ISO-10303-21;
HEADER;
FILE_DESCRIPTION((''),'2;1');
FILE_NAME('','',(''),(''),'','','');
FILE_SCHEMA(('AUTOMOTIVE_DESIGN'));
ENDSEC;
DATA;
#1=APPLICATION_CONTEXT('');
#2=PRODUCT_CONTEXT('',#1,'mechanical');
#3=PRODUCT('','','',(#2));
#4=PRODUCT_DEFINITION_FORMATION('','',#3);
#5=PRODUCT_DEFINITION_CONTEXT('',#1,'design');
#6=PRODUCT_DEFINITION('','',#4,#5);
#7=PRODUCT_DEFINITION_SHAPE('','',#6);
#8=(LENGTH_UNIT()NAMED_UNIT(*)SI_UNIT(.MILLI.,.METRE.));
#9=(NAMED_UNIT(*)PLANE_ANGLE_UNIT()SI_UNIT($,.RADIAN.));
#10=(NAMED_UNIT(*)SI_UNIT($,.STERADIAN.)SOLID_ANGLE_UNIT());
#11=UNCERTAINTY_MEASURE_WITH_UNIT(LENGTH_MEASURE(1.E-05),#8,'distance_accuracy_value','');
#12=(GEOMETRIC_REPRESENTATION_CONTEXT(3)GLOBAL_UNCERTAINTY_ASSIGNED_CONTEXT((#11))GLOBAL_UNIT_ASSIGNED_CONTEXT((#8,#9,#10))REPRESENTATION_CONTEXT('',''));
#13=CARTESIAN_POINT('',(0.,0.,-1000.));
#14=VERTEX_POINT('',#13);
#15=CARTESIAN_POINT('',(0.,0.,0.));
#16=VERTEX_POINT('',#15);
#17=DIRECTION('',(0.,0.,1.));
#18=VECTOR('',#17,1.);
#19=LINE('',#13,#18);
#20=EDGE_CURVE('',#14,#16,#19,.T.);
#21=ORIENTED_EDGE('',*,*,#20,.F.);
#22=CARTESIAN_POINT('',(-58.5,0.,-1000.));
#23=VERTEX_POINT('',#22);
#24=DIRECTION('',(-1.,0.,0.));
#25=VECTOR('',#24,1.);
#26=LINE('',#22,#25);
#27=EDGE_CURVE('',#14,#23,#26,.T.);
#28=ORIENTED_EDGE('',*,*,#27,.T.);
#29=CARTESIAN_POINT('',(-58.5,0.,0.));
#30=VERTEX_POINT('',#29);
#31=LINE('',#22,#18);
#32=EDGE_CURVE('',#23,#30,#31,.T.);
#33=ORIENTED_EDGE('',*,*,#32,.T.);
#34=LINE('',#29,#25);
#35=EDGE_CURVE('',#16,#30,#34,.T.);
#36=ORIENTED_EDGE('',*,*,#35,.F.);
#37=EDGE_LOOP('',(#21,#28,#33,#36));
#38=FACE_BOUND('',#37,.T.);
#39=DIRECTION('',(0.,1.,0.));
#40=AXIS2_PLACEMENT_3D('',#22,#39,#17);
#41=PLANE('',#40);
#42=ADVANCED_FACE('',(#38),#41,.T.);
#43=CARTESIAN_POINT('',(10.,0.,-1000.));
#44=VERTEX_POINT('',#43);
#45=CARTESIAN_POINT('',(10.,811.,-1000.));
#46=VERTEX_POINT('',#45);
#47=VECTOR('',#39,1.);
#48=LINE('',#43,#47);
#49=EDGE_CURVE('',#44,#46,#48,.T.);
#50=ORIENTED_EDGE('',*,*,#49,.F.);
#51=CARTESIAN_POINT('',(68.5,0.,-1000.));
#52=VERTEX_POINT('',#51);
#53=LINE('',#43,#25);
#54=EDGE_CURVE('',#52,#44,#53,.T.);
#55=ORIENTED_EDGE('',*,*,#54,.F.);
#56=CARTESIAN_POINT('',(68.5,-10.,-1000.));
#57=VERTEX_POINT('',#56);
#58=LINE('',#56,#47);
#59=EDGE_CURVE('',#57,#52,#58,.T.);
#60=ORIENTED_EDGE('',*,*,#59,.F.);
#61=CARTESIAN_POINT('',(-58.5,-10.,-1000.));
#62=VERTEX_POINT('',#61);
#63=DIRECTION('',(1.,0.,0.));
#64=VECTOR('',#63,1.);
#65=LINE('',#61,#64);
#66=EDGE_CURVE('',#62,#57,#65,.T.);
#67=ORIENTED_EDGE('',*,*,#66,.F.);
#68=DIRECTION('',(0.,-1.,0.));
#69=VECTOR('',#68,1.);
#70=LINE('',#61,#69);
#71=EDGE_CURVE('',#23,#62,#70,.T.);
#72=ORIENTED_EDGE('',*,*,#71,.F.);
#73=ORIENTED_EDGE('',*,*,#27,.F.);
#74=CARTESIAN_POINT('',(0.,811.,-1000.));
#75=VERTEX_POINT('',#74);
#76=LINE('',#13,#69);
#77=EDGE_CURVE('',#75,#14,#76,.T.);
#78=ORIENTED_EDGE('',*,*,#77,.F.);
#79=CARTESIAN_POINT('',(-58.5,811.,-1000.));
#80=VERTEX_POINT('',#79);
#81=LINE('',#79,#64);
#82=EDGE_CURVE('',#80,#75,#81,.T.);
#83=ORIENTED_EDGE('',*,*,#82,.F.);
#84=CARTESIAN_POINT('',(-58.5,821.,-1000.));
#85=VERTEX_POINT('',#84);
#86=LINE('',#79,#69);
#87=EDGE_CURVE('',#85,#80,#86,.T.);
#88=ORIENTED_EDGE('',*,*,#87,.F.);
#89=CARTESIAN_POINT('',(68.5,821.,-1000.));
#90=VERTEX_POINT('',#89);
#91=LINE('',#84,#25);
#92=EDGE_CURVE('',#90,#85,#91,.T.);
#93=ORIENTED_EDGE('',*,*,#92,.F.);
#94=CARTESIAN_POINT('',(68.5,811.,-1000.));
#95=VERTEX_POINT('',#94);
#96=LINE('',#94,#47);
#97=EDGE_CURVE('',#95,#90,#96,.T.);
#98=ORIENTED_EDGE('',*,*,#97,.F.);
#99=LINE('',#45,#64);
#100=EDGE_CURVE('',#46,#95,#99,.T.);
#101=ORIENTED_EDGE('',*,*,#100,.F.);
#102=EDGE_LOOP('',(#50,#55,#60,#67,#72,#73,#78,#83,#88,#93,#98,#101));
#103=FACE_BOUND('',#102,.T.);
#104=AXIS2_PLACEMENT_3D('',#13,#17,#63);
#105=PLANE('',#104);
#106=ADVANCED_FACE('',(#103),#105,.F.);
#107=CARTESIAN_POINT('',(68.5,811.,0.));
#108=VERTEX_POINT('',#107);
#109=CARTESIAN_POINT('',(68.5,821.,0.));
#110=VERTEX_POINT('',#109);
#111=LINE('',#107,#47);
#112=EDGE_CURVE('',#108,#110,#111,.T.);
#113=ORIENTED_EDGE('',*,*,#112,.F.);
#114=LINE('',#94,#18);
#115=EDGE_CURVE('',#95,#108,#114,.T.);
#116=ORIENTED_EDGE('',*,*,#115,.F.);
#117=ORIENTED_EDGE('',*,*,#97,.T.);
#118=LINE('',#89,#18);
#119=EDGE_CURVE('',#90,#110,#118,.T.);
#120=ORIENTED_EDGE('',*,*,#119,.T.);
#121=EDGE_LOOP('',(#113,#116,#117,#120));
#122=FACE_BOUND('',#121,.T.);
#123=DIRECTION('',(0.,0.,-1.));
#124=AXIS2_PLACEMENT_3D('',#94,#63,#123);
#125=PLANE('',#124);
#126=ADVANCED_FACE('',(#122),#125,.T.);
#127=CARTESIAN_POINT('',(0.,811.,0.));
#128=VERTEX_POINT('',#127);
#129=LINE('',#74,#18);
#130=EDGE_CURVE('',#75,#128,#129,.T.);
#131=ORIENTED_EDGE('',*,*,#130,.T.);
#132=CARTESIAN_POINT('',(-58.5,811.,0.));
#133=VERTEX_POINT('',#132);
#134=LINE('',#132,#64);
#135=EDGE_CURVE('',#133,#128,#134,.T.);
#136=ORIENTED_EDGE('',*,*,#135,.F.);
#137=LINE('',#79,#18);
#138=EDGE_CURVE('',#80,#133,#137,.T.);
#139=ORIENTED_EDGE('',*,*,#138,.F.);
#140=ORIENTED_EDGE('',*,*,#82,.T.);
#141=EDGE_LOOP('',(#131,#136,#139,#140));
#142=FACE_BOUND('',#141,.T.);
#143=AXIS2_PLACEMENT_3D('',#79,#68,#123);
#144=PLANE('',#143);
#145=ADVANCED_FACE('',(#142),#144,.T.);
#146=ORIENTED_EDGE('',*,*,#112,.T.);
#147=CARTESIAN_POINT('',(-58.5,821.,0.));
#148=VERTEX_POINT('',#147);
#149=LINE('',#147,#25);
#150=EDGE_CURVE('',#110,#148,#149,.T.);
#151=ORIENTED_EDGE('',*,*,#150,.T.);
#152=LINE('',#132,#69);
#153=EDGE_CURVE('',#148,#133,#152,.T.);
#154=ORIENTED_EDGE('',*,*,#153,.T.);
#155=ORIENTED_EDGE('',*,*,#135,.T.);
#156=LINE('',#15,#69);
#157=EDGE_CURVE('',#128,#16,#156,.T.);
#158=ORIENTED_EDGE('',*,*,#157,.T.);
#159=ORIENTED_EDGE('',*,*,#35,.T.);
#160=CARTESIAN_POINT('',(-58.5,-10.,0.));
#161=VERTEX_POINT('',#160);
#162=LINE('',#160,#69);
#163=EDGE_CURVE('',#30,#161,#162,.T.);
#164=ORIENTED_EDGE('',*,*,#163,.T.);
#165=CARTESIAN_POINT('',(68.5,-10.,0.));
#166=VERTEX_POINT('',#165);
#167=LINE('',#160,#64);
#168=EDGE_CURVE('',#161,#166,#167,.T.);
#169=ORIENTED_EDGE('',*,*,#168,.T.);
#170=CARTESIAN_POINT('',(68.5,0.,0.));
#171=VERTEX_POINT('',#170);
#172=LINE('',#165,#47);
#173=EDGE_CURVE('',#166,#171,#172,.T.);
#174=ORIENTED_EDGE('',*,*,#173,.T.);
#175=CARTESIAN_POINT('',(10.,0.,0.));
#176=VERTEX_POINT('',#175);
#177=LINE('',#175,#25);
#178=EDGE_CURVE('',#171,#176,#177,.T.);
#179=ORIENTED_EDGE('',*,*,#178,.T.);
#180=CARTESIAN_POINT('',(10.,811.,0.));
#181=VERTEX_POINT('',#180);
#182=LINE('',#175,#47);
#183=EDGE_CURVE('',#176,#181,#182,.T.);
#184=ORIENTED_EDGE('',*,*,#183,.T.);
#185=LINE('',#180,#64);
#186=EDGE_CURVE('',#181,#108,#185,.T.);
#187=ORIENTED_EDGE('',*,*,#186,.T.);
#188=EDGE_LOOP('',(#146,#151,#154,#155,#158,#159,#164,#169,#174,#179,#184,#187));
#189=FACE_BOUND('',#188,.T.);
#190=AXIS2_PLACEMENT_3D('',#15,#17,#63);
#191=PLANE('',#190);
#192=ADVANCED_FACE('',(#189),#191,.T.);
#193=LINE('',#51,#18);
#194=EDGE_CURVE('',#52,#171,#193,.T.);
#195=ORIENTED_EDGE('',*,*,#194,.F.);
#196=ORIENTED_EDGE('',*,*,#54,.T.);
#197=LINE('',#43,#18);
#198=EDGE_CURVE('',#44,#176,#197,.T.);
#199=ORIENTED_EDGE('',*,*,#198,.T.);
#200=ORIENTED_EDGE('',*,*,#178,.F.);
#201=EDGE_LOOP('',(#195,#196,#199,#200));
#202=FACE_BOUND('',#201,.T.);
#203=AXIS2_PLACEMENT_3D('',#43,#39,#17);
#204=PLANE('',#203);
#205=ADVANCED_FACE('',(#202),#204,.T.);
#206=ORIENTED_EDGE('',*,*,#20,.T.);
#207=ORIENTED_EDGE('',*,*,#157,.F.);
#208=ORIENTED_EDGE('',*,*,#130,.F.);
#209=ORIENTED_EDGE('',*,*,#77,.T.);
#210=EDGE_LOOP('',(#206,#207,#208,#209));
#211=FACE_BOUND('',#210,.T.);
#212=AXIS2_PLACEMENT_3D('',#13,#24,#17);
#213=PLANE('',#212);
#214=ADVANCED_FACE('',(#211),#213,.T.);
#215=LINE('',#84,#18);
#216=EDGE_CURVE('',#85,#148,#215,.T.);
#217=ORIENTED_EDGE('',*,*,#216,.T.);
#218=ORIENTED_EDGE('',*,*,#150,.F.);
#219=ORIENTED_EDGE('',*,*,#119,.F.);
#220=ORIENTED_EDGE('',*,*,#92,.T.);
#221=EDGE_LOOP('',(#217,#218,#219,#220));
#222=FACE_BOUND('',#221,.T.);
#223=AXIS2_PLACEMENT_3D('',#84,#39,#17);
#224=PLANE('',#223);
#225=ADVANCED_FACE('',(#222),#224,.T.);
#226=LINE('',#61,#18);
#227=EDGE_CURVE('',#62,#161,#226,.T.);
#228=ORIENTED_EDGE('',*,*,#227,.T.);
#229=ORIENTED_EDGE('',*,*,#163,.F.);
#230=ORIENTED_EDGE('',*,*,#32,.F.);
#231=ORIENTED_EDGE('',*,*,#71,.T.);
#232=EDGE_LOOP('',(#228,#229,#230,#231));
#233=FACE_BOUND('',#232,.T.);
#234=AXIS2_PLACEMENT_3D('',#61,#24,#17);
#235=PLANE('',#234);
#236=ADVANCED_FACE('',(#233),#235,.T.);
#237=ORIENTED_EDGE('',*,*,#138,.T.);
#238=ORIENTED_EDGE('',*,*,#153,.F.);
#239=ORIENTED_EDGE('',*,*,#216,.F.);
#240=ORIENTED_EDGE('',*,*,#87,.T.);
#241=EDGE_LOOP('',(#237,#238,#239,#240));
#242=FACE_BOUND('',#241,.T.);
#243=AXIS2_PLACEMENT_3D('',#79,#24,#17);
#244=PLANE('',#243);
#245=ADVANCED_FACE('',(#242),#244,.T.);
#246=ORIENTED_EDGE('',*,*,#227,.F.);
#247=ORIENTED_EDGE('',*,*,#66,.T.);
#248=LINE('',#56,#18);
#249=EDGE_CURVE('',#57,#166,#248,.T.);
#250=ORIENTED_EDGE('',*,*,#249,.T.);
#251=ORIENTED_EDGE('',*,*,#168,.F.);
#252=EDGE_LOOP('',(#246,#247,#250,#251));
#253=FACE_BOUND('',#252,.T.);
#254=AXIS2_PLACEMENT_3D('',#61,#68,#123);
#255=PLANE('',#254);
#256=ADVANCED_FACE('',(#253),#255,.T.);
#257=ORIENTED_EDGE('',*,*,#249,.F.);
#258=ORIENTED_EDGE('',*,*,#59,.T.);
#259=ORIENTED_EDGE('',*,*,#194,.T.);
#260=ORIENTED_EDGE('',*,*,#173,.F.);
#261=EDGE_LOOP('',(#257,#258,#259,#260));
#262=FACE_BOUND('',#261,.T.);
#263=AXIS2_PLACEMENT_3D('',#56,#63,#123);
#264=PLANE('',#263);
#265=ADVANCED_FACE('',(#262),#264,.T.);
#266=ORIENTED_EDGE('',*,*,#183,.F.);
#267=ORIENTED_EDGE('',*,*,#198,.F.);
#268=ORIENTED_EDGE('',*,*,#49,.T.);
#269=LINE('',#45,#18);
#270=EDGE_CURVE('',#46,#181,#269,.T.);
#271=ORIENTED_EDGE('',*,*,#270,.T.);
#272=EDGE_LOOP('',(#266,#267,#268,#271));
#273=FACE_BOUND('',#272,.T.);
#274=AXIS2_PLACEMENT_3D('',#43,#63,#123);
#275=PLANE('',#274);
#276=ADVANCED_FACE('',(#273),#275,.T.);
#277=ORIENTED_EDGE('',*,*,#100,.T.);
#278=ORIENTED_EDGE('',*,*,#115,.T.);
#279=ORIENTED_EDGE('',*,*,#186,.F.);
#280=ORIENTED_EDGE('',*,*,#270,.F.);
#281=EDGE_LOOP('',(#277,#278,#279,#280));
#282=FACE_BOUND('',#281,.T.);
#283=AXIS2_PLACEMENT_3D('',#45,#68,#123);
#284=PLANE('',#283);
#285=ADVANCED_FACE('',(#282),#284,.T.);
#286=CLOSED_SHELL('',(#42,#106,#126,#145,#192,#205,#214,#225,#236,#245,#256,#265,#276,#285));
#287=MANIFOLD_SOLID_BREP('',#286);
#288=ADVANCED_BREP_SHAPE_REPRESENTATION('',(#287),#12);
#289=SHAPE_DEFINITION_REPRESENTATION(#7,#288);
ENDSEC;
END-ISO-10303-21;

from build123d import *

# Parameters (mm, degrees)
BOSS_EXTRUDE1_DEPTH = 1000


with BuildPart() as part:
    # Sketch1 → Boss-Extrude1 (new body)
    with BuildSketch(Plane.XY):
        Polygon((0, 0), (0, 811), (-58.5, 811), (-58.5, 821), (68.5, 821), (68.5, 811), (10, 811), (10, 0), (68.5, 0), (68.5, -10), (-58.5, -10), (-58.5, 0), align=None)
    extrude(amount=-BOSS_EXTRUDE1_DEPTH)


solid = part.part
